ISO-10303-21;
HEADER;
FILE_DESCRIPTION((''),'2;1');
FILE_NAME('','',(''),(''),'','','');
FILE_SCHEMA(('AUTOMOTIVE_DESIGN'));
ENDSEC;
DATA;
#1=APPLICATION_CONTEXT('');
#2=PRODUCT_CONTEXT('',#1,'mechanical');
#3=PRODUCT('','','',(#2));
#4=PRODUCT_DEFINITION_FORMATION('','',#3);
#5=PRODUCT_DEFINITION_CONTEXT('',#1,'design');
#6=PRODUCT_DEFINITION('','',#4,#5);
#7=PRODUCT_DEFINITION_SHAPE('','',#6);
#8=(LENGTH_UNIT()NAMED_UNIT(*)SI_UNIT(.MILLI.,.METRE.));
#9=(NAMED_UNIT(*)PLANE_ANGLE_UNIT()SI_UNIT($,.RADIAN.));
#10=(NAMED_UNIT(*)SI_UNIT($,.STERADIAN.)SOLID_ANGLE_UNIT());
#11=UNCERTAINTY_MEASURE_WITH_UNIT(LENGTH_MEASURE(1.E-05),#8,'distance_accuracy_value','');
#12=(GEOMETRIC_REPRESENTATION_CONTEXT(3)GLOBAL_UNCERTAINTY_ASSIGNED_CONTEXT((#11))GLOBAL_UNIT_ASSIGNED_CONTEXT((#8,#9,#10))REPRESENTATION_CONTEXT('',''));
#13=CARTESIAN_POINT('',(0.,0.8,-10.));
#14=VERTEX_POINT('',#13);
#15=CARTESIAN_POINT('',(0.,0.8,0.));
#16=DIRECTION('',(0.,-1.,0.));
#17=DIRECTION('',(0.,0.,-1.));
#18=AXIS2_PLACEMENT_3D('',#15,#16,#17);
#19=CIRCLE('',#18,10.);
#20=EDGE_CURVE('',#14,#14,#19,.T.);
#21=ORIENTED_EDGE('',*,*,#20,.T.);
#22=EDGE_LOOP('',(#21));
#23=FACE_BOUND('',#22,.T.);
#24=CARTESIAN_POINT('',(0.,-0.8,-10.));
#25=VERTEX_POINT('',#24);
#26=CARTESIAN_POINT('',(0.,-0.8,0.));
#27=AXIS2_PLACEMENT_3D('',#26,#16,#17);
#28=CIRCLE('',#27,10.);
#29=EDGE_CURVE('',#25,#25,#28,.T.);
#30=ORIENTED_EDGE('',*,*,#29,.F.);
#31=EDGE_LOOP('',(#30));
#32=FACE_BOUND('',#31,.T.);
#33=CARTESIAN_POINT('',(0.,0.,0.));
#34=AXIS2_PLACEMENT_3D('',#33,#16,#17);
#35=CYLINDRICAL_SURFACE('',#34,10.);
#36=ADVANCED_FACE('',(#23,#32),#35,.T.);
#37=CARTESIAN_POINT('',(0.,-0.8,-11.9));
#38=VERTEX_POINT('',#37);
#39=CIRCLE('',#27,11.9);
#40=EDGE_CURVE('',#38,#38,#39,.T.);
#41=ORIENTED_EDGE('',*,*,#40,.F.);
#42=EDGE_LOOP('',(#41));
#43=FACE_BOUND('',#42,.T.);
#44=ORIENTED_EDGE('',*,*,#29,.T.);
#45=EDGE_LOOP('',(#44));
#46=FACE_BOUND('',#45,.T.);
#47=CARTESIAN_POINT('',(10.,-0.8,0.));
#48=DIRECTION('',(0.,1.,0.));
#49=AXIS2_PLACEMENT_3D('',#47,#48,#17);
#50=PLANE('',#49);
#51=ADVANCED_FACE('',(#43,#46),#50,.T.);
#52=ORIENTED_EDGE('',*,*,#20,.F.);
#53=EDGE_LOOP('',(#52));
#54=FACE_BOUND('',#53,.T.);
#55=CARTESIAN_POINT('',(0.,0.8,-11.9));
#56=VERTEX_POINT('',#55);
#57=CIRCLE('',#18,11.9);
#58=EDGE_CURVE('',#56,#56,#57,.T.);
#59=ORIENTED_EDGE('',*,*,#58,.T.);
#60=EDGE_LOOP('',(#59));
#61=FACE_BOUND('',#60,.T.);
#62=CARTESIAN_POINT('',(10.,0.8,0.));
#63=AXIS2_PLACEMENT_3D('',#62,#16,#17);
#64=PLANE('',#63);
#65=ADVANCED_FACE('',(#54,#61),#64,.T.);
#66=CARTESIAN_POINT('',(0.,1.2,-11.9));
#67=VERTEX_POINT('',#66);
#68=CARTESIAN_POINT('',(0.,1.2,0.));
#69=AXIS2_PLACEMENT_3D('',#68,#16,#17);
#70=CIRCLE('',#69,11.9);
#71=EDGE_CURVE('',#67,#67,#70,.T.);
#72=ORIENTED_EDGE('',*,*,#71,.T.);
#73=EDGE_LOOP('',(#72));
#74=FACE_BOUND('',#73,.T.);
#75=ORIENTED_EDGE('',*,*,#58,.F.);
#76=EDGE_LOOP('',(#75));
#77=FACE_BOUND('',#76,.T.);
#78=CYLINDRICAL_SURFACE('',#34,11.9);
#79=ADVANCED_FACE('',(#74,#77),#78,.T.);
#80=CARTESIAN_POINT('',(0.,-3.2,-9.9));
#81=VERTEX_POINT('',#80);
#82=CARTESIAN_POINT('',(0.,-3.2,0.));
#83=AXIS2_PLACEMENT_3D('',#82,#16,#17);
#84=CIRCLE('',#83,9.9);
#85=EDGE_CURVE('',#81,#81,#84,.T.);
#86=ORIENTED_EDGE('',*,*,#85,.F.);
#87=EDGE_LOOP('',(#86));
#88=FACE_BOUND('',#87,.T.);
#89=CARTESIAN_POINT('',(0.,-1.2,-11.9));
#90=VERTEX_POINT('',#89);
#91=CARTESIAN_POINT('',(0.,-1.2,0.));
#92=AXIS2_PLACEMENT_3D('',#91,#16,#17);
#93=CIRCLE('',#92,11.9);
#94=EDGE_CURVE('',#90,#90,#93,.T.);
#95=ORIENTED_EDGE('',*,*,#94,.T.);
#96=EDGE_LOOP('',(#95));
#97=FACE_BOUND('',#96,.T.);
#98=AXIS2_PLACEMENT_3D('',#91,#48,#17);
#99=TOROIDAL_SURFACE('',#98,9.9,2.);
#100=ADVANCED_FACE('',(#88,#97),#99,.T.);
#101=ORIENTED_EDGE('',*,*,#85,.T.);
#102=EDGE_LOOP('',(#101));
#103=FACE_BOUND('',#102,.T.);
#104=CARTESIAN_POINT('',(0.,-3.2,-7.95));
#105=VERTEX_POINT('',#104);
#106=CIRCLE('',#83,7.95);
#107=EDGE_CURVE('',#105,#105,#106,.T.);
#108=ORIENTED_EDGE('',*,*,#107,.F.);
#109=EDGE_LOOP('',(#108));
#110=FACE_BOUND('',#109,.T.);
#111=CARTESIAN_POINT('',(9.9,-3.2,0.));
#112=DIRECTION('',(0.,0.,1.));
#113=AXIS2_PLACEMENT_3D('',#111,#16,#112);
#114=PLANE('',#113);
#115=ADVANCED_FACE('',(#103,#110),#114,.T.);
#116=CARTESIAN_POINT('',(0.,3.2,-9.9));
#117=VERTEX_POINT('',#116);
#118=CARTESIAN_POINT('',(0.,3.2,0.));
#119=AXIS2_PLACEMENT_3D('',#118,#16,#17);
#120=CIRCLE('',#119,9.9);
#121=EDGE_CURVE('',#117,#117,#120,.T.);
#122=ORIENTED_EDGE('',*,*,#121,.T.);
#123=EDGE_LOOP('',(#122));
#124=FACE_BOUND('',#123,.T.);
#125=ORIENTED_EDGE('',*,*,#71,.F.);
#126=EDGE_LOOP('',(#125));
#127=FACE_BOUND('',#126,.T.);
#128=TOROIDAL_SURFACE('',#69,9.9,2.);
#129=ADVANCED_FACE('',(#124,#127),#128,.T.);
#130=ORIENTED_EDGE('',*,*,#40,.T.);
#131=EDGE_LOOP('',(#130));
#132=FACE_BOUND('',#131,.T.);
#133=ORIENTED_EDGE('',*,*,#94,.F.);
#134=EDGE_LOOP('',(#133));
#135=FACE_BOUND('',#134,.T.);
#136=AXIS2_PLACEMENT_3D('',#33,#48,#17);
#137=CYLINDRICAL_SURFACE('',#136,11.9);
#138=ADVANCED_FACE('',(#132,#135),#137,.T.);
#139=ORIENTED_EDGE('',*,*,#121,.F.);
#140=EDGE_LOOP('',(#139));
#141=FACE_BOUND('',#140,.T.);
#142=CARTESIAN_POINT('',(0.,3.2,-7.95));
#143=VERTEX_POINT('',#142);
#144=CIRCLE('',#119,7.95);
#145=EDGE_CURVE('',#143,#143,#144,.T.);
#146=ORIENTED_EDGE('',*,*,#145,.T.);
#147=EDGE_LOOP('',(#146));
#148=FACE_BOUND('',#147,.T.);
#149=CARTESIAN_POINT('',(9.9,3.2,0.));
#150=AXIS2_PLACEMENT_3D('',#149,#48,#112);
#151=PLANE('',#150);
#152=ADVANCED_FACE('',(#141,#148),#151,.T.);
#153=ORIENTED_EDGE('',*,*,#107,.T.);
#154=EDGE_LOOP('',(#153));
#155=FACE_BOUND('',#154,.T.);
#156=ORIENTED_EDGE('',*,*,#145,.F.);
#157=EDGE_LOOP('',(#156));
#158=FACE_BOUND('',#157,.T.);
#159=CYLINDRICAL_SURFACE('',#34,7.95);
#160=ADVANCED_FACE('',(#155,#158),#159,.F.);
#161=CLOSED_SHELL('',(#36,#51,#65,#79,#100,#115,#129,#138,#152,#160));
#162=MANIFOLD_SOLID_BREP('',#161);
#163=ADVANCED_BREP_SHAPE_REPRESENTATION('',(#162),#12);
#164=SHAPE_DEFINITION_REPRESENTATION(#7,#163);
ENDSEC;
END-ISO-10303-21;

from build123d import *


with BuildPart() as part:
    # Esquisse2 → Révolution1 (revolve)
    with BuildSketch(Plane.XY, mode=Mode.PRIVATE) as r_volution1_sk:
        with BuildLine():
            Line((7.95, 3.2), (7.95, 0))
            Line((7.95, 0), (10, 0))
            Line((10, 0), (10, 0.8))
            Line((10, 0.8), (11.9, 0.8))
            Line((11.9, 0.8), (11.9, 1.2))
            ThreePointArc((11.9, 1.2), (11.314213562, 2.614213562), (9.9, 3.2))
            Line((9.9, 3.2), (7.95, 3.2))
        make_face()
    r_volution1 = revolve(r_volution1_sk.sketch.rotate(Axis((0, 0, 0), (0, 1, 0)), 90), axis=Axis((0, 0, 0), (0, 1, 0)))

    # Symétrie1: Révolution1 across plane
    add(r_volution1.mirror(Plane.ZX))


solid = part.part
